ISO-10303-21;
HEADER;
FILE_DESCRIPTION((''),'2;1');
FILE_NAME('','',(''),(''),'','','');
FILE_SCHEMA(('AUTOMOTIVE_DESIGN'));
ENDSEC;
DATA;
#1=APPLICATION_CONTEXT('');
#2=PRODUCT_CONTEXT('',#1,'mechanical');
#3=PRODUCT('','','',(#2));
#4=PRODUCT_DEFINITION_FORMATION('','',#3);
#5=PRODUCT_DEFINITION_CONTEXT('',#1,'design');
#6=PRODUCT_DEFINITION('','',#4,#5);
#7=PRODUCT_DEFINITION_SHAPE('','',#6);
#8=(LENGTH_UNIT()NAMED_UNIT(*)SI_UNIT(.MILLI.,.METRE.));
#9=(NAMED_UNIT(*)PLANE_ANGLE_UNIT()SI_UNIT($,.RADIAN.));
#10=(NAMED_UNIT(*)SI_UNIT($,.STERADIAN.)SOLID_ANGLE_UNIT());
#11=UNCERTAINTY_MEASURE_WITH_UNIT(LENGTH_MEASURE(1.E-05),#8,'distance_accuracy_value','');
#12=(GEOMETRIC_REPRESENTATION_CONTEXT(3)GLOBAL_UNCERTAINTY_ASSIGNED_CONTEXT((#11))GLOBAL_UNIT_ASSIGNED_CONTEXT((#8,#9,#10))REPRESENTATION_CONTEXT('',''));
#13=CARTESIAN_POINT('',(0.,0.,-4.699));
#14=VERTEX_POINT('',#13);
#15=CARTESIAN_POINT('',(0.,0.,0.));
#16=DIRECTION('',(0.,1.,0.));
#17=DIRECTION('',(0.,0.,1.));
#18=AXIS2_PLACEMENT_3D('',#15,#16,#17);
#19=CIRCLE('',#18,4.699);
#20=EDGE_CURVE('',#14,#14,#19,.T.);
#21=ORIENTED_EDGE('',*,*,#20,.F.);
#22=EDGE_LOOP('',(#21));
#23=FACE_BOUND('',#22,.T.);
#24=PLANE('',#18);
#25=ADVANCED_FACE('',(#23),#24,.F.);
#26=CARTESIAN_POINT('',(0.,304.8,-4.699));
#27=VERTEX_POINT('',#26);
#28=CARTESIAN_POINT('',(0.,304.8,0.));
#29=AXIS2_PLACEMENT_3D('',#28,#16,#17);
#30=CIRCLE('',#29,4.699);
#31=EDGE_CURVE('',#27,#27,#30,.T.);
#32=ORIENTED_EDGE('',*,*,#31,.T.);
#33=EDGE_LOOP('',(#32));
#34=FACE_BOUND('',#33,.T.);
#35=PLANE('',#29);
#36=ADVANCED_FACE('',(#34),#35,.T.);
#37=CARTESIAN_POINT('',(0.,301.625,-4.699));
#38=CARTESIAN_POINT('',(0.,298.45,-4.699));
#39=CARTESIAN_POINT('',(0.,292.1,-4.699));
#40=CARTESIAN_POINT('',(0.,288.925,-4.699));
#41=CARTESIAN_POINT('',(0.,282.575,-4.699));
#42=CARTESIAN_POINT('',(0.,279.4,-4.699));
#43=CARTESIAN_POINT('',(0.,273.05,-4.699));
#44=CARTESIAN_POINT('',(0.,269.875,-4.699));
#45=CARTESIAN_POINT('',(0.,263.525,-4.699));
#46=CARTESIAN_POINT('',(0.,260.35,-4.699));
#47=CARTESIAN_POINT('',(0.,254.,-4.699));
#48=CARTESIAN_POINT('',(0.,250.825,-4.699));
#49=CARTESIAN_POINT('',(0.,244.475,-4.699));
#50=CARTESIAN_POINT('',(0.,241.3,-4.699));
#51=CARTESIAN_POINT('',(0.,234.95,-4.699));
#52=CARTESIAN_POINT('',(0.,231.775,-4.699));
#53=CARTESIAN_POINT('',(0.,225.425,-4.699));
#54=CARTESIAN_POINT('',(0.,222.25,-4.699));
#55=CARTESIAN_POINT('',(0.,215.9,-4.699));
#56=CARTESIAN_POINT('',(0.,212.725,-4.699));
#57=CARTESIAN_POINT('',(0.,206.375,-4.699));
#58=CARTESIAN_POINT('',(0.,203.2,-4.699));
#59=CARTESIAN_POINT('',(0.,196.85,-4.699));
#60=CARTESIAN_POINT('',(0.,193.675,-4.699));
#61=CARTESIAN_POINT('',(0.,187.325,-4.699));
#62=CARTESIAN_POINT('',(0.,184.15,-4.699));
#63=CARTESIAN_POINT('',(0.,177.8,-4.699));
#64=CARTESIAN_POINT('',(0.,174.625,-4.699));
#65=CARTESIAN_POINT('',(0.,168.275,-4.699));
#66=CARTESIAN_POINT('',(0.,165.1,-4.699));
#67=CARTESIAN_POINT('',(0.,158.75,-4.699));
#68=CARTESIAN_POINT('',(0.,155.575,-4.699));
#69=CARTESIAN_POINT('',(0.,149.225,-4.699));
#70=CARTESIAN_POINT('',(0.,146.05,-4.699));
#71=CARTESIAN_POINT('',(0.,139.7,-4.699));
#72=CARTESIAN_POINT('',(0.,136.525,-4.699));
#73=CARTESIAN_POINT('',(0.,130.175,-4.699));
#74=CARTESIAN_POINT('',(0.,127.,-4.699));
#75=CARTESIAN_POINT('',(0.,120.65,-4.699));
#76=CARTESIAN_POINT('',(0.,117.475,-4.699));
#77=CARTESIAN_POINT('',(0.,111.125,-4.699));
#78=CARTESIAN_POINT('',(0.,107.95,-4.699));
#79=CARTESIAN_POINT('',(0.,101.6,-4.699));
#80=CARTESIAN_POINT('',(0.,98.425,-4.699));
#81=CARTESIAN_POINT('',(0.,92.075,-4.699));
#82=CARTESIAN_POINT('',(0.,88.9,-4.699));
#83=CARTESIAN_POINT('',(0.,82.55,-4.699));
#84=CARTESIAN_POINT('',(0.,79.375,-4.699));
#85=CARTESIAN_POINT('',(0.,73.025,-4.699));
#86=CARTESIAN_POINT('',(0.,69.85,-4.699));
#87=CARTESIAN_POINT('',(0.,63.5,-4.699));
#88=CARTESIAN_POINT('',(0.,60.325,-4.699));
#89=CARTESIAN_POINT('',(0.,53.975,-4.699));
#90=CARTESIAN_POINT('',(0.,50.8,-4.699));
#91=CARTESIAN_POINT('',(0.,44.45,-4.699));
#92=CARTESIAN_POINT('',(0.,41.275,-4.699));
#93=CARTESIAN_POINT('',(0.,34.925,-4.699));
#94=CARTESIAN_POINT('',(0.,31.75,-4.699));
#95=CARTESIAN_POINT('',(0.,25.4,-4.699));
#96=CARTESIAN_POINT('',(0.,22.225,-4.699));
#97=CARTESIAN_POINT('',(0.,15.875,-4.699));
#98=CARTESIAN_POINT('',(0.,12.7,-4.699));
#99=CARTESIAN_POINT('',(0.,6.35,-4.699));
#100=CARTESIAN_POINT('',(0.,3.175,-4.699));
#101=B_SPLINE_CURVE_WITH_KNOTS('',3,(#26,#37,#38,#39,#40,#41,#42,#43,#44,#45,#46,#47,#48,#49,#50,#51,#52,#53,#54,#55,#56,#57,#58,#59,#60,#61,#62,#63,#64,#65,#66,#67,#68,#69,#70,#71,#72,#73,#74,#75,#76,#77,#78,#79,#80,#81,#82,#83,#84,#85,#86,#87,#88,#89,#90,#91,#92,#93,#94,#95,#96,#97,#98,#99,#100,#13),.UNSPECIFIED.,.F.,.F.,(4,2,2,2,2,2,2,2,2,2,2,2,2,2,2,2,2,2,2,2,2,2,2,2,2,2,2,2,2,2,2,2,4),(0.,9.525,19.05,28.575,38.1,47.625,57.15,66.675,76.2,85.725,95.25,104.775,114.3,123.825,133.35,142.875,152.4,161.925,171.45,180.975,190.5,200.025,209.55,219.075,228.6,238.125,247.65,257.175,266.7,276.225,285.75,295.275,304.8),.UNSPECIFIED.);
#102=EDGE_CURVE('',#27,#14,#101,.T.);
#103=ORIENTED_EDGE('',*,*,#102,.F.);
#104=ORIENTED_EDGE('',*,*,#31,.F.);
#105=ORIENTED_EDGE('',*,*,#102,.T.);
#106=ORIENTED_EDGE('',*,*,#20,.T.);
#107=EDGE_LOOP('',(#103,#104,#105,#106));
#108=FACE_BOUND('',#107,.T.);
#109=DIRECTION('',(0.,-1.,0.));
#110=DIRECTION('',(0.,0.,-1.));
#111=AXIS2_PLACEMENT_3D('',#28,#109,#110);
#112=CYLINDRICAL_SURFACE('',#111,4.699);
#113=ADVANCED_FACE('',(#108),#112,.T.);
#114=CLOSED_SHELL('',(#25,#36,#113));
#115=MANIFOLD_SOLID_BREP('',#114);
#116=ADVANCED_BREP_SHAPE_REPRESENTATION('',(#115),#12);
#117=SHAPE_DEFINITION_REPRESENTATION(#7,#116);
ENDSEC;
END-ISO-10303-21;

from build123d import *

# Parameters (mm, degrees)
SKETCH1_R           = 4.699
BOSS_EXTRUDE1_DEPTH = 304.8


with BuildPart() as part:
    # Sketch1 → Boss-Extrude1 (new body)
    with BuildSketch(Plane(origin=(0, 0, 0), x_dir=(1, 0, 0), z_dir=(0, 1, 0))):
        with Locations(Location((0, 0, 0), (0, 0, 90))):
            Circle(SKETCH1_R)
    extrude(amount=BOSS_EXTRUDE1_DEPTH)


solid = part.part
